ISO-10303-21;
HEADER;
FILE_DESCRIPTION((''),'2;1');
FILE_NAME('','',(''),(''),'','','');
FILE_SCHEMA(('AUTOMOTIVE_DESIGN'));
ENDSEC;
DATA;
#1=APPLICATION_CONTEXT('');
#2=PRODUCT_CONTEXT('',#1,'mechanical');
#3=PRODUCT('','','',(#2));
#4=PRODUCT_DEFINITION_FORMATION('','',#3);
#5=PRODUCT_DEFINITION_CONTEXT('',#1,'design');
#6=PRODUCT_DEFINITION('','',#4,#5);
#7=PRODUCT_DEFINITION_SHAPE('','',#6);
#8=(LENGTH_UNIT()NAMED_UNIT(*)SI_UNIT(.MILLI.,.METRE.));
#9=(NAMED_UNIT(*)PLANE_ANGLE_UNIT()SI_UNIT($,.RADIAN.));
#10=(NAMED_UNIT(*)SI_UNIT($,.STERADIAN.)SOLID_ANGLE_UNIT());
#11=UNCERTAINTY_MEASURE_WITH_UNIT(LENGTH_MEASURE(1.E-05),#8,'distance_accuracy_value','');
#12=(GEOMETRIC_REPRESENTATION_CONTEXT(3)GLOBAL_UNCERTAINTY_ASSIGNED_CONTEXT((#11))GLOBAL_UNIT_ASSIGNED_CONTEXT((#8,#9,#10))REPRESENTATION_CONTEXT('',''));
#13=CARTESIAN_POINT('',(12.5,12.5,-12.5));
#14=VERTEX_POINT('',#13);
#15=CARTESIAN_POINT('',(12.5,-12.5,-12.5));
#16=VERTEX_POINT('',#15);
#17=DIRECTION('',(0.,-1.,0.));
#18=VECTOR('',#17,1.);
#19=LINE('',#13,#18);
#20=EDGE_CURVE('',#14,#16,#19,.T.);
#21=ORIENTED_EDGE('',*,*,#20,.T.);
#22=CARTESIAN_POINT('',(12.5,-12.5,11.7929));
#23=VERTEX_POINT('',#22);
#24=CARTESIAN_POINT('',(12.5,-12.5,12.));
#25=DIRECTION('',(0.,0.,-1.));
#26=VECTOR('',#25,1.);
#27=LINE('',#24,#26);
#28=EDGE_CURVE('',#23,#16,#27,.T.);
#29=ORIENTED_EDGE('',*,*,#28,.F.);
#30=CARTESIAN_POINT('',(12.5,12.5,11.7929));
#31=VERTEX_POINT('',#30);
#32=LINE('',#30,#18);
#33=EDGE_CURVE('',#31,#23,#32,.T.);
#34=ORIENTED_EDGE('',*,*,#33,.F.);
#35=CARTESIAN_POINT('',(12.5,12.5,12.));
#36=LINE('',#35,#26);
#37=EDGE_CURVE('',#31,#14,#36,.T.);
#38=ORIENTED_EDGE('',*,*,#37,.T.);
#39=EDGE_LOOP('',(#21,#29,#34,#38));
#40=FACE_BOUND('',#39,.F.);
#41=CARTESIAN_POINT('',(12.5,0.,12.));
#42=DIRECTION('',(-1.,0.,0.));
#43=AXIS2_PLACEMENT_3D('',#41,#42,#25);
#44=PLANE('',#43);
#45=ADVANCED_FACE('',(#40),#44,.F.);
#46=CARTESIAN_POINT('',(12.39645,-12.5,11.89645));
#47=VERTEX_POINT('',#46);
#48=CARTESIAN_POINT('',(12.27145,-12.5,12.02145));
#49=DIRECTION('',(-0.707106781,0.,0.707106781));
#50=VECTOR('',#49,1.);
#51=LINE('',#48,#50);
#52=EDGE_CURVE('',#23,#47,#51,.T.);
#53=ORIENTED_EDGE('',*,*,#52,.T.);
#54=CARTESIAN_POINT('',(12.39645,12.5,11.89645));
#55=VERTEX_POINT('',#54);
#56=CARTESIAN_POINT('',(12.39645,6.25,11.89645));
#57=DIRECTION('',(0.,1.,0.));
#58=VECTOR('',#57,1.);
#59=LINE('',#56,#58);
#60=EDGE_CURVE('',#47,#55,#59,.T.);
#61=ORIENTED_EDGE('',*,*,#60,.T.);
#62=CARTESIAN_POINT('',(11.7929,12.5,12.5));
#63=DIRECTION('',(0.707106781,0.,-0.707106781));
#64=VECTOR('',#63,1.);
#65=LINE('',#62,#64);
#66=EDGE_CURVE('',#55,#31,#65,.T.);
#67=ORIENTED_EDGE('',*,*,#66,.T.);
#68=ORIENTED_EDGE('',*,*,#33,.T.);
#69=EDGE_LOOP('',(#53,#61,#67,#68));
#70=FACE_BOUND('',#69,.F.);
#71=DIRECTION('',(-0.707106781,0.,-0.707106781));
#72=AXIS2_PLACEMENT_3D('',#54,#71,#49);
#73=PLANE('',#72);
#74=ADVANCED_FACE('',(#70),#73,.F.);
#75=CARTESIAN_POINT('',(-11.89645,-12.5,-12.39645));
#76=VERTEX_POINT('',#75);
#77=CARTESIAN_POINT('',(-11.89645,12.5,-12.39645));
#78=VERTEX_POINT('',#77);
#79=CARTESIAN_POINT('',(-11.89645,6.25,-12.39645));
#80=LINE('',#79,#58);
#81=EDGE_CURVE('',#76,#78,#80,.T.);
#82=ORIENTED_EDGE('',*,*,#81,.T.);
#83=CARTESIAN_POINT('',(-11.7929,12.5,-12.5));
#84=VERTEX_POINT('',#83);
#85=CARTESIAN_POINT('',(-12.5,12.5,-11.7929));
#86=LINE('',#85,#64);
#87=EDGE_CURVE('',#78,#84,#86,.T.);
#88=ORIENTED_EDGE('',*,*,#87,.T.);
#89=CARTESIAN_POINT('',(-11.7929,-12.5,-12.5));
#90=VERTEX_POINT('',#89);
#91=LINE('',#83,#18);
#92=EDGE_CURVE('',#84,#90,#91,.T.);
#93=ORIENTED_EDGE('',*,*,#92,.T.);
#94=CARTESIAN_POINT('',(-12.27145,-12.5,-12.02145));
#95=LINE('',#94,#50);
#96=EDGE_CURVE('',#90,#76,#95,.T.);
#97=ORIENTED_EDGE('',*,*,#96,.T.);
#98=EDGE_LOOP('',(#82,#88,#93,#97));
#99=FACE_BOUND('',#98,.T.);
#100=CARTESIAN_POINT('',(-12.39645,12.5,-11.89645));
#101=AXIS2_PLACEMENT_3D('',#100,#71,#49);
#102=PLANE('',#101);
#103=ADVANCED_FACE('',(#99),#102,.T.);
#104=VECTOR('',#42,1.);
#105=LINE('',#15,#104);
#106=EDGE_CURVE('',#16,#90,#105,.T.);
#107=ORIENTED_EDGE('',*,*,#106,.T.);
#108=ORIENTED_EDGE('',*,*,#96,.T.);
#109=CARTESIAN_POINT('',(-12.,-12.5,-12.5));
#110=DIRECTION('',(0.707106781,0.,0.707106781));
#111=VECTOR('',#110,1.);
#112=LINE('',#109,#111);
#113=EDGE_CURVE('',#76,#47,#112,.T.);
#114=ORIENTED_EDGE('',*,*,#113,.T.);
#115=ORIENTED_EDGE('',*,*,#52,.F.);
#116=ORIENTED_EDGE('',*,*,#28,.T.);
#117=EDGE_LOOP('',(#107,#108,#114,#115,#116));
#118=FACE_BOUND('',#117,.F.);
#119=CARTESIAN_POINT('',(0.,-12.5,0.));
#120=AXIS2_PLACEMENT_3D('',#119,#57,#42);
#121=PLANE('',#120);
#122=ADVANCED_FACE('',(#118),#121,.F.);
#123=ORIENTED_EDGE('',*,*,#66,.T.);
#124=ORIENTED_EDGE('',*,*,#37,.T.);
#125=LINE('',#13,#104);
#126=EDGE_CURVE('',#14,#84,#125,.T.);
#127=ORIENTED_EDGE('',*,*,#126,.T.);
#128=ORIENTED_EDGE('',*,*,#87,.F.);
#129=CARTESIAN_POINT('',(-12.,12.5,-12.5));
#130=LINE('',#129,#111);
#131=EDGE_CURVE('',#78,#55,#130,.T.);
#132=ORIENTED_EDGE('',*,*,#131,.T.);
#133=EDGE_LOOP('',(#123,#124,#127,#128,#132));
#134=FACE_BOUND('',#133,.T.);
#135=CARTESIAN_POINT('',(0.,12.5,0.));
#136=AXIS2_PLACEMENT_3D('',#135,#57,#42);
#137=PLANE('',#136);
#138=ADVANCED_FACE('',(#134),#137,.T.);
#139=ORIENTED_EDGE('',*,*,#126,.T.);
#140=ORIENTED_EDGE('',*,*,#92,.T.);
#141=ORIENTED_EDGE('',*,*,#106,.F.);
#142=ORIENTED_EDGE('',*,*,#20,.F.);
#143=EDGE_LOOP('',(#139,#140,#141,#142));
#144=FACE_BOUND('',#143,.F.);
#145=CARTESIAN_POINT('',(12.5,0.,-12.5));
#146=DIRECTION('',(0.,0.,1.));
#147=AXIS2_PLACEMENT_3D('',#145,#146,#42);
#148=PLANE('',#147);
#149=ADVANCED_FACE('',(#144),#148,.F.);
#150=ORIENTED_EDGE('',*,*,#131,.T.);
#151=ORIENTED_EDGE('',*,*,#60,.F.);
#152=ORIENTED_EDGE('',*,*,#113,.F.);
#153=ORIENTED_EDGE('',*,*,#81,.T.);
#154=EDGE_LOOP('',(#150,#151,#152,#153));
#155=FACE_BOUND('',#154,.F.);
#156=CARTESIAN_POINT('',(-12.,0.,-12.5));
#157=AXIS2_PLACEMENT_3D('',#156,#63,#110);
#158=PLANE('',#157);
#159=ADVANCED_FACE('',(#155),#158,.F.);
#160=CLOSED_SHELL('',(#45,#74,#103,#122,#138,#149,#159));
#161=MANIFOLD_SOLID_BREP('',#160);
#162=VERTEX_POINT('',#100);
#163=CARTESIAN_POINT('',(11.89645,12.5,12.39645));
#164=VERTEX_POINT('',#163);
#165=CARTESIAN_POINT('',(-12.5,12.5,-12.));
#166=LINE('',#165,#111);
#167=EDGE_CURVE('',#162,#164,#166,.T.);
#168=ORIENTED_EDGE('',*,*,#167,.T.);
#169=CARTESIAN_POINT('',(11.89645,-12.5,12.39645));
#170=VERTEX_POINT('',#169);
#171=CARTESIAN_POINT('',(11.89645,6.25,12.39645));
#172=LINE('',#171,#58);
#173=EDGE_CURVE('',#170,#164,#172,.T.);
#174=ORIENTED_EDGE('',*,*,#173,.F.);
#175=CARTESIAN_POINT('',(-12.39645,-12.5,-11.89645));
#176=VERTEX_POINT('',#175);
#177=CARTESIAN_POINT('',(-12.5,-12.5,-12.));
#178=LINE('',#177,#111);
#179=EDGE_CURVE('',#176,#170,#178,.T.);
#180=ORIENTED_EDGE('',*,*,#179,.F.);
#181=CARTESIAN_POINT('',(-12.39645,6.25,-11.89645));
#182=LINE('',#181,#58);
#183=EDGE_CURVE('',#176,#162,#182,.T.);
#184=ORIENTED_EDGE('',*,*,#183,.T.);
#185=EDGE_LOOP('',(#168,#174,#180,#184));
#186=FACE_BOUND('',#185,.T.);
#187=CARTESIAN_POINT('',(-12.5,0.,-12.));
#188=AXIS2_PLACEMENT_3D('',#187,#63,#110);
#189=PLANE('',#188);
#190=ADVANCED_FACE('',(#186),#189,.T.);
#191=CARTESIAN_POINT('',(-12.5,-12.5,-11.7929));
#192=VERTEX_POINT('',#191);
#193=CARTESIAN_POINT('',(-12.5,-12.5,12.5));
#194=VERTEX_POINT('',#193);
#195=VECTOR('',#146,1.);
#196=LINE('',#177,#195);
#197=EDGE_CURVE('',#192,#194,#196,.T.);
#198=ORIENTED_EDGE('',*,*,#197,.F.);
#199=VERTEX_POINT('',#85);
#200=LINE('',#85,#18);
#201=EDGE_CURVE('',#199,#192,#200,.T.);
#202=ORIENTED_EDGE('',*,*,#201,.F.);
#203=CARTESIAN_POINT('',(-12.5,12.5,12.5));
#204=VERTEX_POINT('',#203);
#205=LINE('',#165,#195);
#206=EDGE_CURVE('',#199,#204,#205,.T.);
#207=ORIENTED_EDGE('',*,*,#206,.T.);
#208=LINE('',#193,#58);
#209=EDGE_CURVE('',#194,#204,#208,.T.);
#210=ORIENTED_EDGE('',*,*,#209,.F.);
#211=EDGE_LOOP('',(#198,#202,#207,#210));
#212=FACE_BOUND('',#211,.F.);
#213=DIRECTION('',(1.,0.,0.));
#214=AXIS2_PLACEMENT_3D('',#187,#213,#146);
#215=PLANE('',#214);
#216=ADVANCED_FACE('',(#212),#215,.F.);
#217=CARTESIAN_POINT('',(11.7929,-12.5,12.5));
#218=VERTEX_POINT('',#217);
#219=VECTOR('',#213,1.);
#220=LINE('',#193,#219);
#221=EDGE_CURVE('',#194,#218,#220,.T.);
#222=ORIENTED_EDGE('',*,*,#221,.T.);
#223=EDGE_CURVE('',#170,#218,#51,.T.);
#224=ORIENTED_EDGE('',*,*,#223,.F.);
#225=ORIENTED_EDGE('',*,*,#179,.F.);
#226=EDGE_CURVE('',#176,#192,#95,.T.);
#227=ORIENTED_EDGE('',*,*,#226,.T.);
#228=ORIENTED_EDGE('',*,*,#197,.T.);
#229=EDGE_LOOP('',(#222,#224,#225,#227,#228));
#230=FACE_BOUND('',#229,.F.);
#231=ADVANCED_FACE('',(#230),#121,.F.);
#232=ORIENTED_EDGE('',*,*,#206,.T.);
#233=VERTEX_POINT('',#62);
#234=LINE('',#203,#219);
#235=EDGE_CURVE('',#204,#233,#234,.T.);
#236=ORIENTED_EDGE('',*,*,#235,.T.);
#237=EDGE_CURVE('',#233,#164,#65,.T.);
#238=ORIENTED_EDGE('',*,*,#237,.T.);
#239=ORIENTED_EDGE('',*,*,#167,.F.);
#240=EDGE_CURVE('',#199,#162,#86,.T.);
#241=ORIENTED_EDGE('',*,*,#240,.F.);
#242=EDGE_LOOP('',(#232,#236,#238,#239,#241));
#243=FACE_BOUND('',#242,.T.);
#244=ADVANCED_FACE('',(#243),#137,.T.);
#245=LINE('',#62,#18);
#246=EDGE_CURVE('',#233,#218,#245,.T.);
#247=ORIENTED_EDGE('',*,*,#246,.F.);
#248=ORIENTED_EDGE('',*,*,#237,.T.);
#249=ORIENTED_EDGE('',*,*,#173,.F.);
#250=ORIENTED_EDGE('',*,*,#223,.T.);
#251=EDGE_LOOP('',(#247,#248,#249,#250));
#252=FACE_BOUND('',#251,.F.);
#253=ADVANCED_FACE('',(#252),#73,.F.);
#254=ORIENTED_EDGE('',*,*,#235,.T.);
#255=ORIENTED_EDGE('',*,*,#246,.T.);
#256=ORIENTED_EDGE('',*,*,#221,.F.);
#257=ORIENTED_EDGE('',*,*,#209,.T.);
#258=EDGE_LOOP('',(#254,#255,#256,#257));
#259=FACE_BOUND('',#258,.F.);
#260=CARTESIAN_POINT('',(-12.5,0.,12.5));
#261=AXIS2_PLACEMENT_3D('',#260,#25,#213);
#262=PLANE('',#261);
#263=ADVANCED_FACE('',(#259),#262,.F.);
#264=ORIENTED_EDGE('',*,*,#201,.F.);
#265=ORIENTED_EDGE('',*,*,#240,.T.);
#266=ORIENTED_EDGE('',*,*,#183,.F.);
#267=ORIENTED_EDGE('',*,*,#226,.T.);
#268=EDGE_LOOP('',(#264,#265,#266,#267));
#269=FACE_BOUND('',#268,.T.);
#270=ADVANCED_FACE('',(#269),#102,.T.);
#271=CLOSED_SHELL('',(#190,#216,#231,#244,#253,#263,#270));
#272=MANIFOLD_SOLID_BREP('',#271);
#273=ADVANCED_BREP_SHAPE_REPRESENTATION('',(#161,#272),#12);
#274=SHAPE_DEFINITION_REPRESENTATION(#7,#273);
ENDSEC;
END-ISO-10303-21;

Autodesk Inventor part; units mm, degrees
ref_plane "YZ Plane" through (0, 0, 0) normal (1, 0, 0) x (0, 1, 0)
ref_plane "XZ Plane" through (0, 0, 0) normal (0, 1, 0) x (-1, 0, 0)
ref_plane "XY Plane" through (0, 0, 0) normal (0, 0, 1) x (1, 0, 0)
sketch "Sketch1" plane through (0, 0, 0) normal (0, 1, 0) x (-1, 0, 0)
  line L0 (-12.5, 12) -> (-12.5, -12.5)
  line L1 (-12.5, -12.5) -> (12, -12.5)
  line L2 (12.5, -12) -> (12.5, 12.5)
  line L3 (12.5, 12.5) -> (-12, 12.5)
  line L4 (-12.5, 12.5) -> (12.5, -12.5) construction
  line L5 (-12.5, -12.5) -> (12.5, 12.5) construction
  line L6 (12, -12.5) -> (-12.5, 12)
  line L7 (12.5, -12) -> (-12, 12.5)
  point P0 (0, 0)
  point P1 (0, 0)
  point P2 (0, 0)
  dimension "d13" = 1
  dimension "d14" = 2
  dimension "d15" = 0.3535
  dimension "d0" = 25
  dimension "d1" = 25
  dimension "d2" = 0.5
  dimension "d3" = 0.5
  dimension "d4" = 0.5
  dimension "d5" = 0.7071
  dimension "d6" = 17.6777
  dimension "d7" = 17.6777
  dimension "d8" = 24.5
extrude "Extrusion1" add sketch "Sketch1" along normal mid plane 25
sketch "Sketch3" plane through (0, 12.5, 0) normal (0, 1, 0) x (1, 0, 0)
  line L0 (-13.9142, 13.2071) -> (-13.2071, 13.9142)
  line L1 (-13.2071, 13.9142) -> (-11.7929, 12.5)
  line L2 (-11.7929, 12.5) -> (-12.5, 11.7929)
  line L3 (-12.5, 11.7929) -> (-13.9142, 13.2071)
  line L4 (-13.9142, 13.2071) -> (-11.7929, 12.5) construction
  line L5 (-13.2071, 13.9142) -> (-12.5, 11.7929) construction
  line L6 (12, -12.5) -> (-12.5, 12) projected
  line L7 (-12.5, 12) -> (-12.5, -12.5) projected
  line L8 (13.2071, -13.9142) -> (13.9142, -13.2071)
  line L9 (13.9142, -13.2071) -> (12.5, -11.7929)
  line L10 (12.5, -11.7929) -> (11.7929, -12.5)
  line L11 (11.7929, -12.5) -> (13.2071, -13.9142)
  line L12 (13.2071, -13.9142) -> (12.5, -11.7929) construction
  line L13 (13.9142, -13.2071) -> (11.7929, -12.5) construction
  line L14 (-12, 12.5) -> (12.5, -12) projected
  line L15 (-12.5, -12.5) -> (12, -12.5) projected
  line L16 (12.5, -12) -> (12.5, 12.5) projected
  point P0 (0, 0)
  point P1 (-12.8536, 12.8536)
  point P2 (-12.8536, 12.8536)
  point P3 (12.8536, -12.8536)
  point P4 (12.8536, -12.8536)
  dimension "d13" = 1
  dimension "d14" = 2
  dimension "d15" = 0.3535
  dimension "d16" = 1
  dimension "d17" = 0.3535
  dimension "d18" = 2
extrude "Extrusion3" cut sketch "Sketch3" against normal through all contours L0 L1 L2 L6 L7 L3 | L7 L6 L2 | L10 L14 L16 L9 L8 L11 L15 L6 | L6 L15 L10 | L10 L16 L14
properties part number "Beamsplittertransparent"
